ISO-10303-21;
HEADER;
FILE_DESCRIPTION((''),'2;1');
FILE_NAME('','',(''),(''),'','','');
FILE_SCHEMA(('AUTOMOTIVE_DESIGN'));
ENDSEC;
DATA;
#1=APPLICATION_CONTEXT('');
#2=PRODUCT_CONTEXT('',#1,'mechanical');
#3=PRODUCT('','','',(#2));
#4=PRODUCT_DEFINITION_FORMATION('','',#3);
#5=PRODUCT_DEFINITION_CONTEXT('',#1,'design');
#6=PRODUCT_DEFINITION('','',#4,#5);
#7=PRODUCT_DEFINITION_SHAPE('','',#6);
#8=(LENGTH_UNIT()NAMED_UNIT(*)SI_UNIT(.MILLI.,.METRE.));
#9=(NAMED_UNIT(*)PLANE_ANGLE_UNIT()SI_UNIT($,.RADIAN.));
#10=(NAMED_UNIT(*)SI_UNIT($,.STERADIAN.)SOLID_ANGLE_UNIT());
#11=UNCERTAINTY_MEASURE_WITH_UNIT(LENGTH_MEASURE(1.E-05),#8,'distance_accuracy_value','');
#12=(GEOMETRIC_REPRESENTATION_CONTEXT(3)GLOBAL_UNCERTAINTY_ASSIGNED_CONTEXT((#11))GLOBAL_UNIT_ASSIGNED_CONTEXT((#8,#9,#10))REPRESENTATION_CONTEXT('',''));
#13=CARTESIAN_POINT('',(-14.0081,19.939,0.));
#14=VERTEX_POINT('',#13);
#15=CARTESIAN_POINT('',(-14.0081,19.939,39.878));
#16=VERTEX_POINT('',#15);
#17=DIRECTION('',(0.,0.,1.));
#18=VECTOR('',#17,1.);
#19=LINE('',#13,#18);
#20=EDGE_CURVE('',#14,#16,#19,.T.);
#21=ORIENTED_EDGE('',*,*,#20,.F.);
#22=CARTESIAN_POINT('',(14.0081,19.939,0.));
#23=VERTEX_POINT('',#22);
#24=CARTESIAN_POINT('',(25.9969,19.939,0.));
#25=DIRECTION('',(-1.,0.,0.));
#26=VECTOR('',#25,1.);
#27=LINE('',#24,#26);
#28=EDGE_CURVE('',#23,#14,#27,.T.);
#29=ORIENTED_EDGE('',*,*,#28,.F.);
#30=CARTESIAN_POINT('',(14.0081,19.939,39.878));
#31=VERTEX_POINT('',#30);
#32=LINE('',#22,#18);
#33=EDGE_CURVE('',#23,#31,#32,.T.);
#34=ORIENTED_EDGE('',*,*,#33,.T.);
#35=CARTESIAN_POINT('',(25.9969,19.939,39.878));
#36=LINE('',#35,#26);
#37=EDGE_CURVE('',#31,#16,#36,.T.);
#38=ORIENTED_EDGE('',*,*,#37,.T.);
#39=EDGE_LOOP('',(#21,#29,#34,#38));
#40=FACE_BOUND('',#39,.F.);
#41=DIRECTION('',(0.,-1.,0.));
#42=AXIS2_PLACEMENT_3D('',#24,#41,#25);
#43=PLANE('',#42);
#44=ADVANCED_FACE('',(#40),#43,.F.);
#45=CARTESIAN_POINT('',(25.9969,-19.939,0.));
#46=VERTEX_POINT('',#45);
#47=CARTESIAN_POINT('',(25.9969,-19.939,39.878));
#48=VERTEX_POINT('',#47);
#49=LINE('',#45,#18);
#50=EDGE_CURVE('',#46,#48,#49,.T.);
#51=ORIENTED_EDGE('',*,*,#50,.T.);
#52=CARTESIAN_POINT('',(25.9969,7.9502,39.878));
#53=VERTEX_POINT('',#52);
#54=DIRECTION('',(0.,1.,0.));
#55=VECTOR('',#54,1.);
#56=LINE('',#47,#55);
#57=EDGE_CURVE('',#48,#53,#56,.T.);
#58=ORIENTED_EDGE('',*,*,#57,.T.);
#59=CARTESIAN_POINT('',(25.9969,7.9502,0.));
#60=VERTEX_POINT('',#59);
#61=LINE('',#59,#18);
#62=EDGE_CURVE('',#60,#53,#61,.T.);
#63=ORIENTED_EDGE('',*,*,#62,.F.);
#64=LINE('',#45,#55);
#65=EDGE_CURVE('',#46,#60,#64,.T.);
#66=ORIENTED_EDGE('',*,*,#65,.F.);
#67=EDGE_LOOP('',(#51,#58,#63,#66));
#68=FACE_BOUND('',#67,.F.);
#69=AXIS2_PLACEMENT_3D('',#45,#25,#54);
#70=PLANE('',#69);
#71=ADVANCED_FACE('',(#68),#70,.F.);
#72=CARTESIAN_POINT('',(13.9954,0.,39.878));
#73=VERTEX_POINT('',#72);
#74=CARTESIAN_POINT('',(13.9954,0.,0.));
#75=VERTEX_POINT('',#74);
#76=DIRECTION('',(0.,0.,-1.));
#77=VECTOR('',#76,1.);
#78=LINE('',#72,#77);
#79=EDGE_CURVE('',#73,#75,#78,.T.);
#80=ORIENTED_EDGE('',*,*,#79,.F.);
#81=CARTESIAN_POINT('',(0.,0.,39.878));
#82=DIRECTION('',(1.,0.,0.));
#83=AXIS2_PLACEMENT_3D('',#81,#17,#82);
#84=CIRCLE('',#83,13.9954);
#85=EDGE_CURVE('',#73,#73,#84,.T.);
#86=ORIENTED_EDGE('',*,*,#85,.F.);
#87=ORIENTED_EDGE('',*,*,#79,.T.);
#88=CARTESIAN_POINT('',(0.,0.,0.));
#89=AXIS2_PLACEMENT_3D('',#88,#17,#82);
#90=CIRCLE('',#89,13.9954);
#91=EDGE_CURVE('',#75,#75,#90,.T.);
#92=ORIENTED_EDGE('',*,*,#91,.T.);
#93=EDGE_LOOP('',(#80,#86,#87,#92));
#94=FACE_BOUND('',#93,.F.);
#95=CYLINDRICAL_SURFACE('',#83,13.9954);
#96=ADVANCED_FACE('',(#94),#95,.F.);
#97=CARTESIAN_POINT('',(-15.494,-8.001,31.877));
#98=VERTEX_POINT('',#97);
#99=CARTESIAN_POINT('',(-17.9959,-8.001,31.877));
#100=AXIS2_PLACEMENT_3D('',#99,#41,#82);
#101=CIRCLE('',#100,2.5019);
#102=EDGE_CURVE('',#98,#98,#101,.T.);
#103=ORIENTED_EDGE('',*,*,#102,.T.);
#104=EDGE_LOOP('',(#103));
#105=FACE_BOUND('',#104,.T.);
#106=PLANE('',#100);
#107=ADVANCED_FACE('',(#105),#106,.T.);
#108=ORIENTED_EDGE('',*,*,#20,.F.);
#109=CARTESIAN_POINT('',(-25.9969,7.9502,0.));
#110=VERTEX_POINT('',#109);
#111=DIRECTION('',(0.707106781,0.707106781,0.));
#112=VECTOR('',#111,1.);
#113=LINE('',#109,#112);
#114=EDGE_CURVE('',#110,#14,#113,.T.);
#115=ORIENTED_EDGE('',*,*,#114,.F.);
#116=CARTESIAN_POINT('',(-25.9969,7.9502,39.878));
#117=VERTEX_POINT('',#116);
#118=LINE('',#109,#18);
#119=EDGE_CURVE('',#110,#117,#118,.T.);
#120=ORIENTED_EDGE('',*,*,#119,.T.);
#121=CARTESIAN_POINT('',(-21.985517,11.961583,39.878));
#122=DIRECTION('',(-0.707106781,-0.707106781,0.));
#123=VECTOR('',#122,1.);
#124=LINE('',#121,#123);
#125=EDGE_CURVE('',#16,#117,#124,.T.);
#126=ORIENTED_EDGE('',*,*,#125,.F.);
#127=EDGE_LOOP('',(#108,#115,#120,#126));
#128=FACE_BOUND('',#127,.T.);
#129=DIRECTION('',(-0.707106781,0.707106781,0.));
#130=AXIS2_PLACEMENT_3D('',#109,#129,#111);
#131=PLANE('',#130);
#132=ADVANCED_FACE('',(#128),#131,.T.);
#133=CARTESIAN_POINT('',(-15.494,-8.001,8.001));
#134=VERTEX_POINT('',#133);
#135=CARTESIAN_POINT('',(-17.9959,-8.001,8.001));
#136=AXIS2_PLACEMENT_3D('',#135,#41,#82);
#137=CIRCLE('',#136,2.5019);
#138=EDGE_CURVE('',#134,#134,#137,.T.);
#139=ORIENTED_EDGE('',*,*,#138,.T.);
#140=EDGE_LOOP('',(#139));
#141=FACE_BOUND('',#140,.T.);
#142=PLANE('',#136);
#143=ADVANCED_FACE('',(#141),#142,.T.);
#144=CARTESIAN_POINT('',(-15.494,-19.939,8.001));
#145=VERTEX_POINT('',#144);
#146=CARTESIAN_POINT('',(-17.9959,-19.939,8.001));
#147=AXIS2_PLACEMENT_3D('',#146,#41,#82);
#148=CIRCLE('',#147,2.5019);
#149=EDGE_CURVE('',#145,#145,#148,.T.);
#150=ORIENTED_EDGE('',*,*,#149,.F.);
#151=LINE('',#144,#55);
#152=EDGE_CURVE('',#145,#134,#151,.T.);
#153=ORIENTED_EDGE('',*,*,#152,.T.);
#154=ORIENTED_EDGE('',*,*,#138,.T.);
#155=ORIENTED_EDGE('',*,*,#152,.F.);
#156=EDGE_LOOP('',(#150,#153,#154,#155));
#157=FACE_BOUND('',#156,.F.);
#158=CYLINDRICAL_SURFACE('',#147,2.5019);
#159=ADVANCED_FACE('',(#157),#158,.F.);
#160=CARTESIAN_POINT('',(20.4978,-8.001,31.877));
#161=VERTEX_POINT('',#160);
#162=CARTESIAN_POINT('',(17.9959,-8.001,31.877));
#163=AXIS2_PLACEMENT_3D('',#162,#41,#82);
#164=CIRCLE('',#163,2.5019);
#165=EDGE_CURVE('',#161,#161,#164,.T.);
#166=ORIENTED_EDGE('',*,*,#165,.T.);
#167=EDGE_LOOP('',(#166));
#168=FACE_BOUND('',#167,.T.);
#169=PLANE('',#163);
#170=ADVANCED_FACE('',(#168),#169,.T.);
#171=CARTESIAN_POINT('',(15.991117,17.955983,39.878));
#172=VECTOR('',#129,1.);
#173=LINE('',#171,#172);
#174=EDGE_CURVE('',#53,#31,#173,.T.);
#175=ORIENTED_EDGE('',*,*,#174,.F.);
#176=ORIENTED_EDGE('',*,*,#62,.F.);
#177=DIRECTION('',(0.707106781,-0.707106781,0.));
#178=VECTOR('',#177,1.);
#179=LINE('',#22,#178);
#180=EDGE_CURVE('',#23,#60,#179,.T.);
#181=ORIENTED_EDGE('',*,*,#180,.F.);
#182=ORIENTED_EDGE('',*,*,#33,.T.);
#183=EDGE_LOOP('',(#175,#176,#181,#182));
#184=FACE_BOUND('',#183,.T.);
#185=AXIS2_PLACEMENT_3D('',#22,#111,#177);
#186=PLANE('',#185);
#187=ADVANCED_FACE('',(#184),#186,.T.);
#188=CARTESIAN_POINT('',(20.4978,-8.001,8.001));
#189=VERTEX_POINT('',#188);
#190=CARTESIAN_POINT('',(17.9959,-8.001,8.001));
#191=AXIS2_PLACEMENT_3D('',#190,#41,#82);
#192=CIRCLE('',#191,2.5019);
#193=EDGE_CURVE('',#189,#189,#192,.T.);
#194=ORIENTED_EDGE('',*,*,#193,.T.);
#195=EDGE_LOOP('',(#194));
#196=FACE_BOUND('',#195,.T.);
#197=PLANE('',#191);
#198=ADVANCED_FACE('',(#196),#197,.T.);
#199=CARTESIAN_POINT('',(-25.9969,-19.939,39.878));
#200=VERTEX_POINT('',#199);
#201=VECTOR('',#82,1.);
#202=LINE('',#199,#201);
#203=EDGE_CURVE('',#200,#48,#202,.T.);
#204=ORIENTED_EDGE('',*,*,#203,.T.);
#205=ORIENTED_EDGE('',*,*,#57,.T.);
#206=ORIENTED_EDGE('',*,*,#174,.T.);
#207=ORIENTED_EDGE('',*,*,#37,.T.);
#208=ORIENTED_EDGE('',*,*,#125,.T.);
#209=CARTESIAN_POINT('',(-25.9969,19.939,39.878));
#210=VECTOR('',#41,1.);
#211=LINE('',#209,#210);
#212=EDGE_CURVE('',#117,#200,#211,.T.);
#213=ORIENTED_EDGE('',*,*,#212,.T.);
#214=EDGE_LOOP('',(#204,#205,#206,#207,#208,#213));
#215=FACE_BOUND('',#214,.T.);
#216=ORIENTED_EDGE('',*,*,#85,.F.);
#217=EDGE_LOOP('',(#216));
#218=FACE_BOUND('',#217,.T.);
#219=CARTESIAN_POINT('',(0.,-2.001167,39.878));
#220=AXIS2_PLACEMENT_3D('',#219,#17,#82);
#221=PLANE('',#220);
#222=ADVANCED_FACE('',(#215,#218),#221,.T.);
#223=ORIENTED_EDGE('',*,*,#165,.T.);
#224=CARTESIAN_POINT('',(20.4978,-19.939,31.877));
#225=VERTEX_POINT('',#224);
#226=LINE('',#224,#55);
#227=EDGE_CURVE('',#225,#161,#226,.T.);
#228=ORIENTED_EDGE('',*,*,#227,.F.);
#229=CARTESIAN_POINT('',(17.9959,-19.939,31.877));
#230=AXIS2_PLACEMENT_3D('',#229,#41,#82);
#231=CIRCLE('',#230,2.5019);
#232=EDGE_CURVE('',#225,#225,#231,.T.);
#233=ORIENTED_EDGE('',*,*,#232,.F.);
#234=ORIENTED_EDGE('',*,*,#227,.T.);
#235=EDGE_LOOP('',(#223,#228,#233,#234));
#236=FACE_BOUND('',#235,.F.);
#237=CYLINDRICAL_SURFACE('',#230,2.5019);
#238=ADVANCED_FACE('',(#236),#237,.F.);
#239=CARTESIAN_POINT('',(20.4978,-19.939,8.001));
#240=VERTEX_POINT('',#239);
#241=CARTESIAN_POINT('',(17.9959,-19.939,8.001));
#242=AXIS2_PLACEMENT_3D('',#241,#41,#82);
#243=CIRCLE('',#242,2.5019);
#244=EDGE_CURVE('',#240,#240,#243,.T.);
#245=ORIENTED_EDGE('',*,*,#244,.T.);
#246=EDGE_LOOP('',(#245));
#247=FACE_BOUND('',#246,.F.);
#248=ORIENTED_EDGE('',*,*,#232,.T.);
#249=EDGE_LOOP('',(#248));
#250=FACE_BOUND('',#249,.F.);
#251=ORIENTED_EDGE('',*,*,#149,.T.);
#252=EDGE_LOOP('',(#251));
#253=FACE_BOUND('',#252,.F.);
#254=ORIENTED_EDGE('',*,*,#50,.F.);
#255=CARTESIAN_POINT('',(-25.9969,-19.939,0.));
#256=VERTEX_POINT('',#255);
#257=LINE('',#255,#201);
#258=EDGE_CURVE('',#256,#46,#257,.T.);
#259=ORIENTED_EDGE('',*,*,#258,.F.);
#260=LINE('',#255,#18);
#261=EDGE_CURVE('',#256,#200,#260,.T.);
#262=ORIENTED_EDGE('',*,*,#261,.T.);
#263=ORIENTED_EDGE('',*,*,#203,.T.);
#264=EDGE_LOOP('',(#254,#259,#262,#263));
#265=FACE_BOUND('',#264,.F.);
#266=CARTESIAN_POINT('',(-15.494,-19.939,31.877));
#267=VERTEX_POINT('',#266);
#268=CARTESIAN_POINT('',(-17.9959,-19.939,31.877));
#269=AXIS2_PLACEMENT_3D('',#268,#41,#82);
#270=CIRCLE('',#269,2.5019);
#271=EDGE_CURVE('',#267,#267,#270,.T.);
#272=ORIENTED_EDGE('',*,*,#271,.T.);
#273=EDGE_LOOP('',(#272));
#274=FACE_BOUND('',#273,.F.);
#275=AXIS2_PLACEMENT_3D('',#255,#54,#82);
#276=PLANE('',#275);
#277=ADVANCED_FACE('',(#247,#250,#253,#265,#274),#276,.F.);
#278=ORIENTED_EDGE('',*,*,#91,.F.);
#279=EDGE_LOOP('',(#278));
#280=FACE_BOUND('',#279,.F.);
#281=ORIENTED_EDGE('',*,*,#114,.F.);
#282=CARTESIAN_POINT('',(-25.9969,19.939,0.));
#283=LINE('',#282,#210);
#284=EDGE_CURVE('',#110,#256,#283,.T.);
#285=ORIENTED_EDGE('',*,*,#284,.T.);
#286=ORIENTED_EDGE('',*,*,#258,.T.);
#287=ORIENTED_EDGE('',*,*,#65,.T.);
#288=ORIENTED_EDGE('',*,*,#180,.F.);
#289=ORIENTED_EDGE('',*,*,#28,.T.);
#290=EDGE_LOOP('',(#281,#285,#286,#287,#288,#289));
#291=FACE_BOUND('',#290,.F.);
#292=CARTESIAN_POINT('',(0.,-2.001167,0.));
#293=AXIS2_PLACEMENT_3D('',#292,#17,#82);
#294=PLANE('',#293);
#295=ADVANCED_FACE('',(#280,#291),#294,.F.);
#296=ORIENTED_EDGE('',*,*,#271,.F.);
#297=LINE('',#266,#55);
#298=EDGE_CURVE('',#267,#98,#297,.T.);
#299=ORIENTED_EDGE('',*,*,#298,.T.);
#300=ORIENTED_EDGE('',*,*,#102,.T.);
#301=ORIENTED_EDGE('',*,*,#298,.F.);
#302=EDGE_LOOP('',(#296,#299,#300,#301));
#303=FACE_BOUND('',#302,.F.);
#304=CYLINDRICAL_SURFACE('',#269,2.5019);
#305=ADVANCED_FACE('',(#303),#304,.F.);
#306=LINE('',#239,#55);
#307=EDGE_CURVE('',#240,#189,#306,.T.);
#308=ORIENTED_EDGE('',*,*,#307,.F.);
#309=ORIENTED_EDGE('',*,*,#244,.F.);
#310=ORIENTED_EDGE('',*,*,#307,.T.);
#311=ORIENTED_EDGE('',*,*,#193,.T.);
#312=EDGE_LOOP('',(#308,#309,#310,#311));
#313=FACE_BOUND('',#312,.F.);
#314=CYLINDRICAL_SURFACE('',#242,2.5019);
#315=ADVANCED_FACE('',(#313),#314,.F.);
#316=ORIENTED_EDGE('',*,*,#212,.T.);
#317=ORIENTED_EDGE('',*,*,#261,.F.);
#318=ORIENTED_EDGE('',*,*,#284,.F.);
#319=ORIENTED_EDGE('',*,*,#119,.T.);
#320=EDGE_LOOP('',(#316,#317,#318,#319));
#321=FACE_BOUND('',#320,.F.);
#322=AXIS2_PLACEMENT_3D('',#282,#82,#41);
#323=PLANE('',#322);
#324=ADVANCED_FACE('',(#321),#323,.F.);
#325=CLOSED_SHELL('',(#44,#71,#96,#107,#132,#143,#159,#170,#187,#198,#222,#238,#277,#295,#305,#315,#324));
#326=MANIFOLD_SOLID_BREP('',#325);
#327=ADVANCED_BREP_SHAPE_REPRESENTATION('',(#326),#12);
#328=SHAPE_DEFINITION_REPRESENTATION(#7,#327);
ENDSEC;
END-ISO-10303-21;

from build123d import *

# Parameters (mm, degrees)
F1_DEPTH = 39.878
F2_R     = 13.9954
F3_DEPTH = 39.879
F4_DEPTH = 39.879
F5_DEPTH = 39.879
F6_R     = 2.5019
F7_DEPTH = 11.938


with BuildPart() as f1:
    # F0 (on Top) → F1 (new body)
    with BuildSketch(Plane.XY):
        Polygon((-25.9969, -19.939), (25.9969, -19.939), (25.9969, 7.9502), (14.0081, 19.939), (-14.0081, 19.939), (-25.9969, 7.9502), align=None)
        Polygon((14.0081, 19.939), (25.9969, 7.9502), (25.9969, 19.939), align=None)
        Polygon((-25.9969, 19.939), (-25.9969, 7.9502), (-14.0081, 19.939), align=None)
    extrude(amount=F1_DEPTH)

    # F2 (on face) → F3 (cut, through all)
    with BuildSketch(Plane.XY.offset(39.878)):
        Circle(F2_R)
    extrude(amount=-F3_DEPTH, mode=Mode.SUBTRACT)

    # F0 (on Top) → F4 (cut, through all)
    with BuildSketch(Plane.XY):
        Polygon((14.0081, 19.939), (25.9969, 7.9502), (25.9969, 19.939), align=None)
    extrude(amount=F4_DEPTH, mode=Mode.SUBTRACT)

    # F0 (on Top) → F5 (cut, through all)
    with BuildSketch(Plane.XY):
        Polygon((-25.9969, 19.939), (-25.9969, 7.9502), (-14.0081, 19.939), align=None)
    extrude(amount=F5_DEPTH, mode=Mode.SUBTRACT)

    # F6 (on face) → F7 (cut)
    with BuildSketch(Plane.XZ.offset(19.939)):
        with Locations((17.9959, 31.877)):
            Circle(F6_R)
        with Locations((17.9959, 8.001)):
            Circle(F6_R)
        with Locations((-17.9959, 8.001)):
            Circle(F6_R)
        with Locations((-17.9959, 31.877)):
            Circle(F6_R)
    extrude(amount=-F7_DEPTH, mode=Mode.SUBTRACT)


solid = f1.part
